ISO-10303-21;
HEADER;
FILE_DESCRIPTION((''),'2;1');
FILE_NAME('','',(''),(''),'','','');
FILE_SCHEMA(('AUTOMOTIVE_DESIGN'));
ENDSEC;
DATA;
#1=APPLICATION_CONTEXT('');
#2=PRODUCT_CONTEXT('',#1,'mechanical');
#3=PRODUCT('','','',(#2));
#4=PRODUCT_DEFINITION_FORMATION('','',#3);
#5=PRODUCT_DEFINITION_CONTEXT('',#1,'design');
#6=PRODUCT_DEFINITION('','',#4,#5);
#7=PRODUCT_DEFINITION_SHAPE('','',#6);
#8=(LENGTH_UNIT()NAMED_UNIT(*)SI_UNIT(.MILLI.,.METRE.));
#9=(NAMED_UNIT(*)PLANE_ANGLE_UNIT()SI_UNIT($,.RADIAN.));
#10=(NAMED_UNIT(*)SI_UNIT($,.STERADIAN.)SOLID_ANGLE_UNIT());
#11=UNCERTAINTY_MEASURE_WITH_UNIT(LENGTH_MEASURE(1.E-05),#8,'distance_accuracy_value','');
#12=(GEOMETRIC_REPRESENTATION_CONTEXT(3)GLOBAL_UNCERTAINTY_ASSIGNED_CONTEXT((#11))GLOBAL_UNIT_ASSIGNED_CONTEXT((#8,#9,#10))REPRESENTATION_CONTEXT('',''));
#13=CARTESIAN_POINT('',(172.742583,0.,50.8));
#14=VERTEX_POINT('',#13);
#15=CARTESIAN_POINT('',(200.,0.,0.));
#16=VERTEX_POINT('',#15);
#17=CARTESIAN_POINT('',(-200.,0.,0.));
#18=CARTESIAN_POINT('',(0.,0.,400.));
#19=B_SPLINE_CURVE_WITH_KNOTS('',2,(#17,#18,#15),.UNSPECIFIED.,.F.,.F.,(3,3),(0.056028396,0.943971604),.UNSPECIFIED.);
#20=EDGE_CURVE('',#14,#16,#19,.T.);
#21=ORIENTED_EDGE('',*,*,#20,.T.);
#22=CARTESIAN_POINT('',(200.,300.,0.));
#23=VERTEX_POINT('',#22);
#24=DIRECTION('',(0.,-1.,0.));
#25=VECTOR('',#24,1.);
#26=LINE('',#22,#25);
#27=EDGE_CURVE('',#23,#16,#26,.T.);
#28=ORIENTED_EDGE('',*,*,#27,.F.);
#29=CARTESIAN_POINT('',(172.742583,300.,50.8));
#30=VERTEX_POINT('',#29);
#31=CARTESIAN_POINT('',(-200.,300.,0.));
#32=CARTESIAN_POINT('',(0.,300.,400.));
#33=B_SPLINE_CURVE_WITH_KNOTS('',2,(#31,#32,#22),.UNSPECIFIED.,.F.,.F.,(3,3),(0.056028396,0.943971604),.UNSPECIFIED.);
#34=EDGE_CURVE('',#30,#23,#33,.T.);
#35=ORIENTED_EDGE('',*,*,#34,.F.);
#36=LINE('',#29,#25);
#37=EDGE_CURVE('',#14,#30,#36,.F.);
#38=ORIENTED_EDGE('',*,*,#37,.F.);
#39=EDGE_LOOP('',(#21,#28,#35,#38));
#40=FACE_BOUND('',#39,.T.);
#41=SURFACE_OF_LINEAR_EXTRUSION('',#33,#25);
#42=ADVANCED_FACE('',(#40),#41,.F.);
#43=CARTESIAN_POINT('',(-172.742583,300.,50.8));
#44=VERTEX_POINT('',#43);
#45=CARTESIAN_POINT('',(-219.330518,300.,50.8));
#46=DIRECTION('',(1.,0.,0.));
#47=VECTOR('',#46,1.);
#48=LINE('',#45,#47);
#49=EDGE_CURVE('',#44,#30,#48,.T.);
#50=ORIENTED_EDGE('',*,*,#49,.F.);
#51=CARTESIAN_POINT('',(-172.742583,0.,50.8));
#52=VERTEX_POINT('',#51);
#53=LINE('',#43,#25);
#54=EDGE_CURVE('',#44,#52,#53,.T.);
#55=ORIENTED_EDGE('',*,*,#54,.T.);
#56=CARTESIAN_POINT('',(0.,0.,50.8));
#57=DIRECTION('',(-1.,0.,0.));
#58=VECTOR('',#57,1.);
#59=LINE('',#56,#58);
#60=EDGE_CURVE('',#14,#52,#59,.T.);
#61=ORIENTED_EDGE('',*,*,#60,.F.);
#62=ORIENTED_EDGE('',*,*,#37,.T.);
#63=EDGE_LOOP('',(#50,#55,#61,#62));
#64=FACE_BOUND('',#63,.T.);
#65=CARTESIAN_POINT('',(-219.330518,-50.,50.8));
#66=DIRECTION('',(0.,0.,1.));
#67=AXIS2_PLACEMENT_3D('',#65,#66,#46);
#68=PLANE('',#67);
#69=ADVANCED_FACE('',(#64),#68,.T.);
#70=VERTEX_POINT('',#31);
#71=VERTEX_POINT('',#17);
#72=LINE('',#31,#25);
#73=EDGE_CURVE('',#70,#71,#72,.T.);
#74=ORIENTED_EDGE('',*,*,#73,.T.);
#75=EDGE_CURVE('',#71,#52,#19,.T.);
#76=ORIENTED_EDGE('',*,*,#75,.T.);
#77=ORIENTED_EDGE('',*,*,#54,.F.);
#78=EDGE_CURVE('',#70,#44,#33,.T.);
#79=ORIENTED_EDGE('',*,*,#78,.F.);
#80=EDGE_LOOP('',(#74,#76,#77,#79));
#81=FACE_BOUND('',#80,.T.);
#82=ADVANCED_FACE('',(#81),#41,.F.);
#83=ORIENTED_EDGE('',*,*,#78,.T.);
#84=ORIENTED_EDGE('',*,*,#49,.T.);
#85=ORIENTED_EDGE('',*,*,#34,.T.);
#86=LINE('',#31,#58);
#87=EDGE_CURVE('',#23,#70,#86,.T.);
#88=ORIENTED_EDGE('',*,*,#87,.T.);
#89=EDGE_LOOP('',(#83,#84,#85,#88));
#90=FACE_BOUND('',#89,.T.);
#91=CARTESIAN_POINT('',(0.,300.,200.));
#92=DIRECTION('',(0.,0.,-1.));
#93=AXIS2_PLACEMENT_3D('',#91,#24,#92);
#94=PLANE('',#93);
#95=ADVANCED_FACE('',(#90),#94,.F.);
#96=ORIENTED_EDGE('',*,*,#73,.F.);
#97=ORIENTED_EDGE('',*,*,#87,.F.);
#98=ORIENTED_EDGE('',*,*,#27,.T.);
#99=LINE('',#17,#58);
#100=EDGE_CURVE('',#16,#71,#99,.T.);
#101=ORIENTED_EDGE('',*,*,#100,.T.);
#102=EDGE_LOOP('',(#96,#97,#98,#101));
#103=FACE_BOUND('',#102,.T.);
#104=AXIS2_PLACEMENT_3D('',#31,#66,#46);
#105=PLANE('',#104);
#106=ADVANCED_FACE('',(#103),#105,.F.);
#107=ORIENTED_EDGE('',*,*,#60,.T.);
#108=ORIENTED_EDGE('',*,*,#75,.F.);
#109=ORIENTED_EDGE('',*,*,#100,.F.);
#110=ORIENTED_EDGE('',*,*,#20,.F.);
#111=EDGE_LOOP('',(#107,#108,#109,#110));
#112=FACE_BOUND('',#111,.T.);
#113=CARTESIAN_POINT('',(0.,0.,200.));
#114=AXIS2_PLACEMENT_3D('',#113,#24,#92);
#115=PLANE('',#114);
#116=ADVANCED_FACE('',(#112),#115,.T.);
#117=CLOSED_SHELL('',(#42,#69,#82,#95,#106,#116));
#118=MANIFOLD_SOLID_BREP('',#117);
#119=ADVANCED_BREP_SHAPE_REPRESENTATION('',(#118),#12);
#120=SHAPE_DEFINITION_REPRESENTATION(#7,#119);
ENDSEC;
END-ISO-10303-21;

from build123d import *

# Parameters (mm, degrees)
BOSS_EXTRUDE1_DEPTH = 300
SKETCH7_W           = 461.235922443
SKETCH7_H           = 200
CUT_EXTRUDE5_DEPTH  = 350


with BuildPart() as part:
    # Sketch1 → Boss-Extrude1 (new body)
    with BuildSketch(Plane(origin=(0, 0, 0), x_dir=(1, 0, 0), z_dir=(0, 1, 0))):
        with BuildLine():
            Line((-200, 1e-09), (200, 1e-09))
            add(Edge.make_bspline(
                [(-200, 1e-09), (0, -400.000000001), (200, 1e-09)],
                knots=[0.056028396, 0.056028396, 0.056028396, 0.943971604, 0.943971604, 0.943971604], degree=2))
        make_face()
    extrude(amount=BOSS_EXTRUDE1_DEPTH)

    # Sketch7 → Cut-Extrude5 (cut)
    with BuildSketch(Plane(origin=(0, 300, 0), x_dir=(1, 0, 0), z_dir=(0, 1, 0))):
        with Locations((11.287443399, -150.799999999)):
            Rectangle(SKETCH7_W, SKETCH7_H)
    extrude(amount=-CUT_EXTRUDE5_DEPTH, mode=Mode.SUBTRACT)


solid = part.part
